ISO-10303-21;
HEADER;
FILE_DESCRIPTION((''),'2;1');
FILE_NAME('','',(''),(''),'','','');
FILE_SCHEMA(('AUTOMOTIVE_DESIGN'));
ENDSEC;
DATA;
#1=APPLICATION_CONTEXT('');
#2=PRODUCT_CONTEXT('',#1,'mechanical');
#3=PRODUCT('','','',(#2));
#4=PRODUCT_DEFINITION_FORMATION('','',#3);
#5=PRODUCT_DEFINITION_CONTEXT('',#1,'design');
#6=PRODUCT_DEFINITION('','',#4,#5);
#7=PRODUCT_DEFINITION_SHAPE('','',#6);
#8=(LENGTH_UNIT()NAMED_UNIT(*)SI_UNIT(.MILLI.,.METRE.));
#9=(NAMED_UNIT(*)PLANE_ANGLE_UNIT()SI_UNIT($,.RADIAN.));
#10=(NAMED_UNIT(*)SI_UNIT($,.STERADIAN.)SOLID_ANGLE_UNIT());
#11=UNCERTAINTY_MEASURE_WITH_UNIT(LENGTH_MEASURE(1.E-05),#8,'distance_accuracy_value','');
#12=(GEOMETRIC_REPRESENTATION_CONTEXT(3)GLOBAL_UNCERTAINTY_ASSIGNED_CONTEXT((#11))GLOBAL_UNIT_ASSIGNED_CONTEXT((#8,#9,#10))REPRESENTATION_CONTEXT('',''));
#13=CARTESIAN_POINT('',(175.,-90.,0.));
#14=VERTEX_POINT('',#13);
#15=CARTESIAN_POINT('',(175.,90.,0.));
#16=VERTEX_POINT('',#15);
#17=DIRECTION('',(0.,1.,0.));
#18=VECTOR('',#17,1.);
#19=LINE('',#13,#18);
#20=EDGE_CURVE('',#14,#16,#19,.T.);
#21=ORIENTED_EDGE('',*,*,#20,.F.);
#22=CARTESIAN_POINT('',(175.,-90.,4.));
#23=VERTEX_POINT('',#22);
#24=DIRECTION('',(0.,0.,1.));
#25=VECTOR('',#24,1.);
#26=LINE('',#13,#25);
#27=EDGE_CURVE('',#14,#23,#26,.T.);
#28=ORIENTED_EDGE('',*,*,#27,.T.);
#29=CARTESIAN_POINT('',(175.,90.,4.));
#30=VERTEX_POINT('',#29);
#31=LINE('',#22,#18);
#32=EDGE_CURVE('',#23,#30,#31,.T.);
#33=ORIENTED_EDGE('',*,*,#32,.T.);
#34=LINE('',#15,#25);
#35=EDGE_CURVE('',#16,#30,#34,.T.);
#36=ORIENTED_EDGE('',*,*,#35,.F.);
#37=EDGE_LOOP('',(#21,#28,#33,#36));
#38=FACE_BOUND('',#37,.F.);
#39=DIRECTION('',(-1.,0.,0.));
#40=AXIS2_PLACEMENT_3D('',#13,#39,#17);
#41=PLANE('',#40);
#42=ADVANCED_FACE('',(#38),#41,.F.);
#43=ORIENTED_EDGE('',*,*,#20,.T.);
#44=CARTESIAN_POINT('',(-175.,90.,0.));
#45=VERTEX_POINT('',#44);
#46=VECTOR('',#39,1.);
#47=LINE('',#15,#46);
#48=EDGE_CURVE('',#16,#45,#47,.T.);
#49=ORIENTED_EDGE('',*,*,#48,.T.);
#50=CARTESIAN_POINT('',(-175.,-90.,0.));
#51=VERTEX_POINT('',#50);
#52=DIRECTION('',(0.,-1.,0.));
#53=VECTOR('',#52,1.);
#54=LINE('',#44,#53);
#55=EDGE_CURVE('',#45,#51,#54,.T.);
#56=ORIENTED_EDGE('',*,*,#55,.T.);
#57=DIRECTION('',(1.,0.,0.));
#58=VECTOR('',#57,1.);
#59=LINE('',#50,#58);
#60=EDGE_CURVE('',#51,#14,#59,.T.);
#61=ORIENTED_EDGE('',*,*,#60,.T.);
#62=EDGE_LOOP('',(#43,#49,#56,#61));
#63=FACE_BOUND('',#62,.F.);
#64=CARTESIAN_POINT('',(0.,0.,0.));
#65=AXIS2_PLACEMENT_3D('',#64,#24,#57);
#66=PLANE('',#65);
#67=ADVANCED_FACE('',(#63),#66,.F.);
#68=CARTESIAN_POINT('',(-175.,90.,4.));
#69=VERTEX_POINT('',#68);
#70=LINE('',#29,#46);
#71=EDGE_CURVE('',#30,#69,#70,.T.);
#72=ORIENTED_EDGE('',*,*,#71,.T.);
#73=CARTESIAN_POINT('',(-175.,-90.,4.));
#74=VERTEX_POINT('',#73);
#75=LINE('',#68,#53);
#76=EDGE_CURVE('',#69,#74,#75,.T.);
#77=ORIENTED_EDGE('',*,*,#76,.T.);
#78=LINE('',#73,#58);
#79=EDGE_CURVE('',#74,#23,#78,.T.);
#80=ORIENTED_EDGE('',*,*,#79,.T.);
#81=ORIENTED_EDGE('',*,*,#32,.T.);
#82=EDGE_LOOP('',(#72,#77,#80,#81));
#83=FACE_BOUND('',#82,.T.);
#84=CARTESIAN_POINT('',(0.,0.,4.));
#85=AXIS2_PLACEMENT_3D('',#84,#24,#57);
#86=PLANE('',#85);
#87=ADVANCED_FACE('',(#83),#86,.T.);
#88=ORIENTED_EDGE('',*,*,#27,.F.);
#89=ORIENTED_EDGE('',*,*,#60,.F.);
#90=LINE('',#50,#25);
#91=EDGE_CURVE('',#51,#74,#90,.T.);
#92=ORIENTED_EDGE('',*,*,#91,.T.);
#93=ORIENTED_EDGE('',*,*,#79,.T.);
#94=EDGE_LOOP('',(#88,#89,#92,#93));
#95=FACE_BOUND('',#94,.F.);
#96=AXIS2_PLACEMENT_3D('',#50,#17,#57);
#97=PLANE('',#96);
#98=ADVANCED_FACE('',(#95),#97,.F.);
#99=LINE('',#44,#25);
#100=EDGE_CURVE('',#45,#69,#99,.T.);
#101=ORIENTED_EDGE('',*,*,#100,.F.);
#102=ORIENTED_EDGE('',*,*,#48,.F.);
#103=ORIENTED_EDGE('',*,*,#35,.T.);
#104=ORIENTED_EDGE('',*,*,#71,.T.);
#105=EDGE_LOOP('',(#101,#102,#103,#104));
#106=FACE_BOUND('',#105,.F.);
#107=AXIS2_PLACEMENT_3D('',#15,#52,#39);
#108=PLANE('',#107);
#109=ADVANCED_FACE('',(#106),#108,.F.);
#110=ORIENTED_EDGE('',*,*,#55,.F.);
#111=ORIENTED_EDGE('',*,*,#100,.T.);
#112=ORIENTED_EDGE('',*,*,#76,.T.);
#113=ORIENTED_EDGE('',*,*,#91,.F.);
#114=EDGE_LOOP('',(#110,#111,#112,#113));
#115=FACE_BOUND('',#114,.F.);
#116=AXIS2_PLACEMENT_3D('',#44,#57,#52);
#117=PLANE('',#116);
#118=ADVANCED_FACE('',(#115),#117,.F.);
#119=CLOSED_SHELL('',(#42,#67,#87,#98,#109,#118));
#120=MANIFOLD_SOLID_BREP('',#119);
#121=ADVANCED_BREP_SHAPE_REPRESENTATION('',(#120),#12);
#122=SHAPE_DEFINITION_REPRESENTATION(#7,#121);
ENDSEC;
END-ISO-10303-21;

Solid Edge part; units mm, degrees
sketch "Sketch1" plane through (0, 0, 0) normal (0, 0, 1) x (1, 0, 0)
  line L0 (175, -90) -> (175, 90)
  line L1 (175, 90) -> (-175, 90)
  line L2 (-175, 90) -> (-175, -90)
  line L3 (-175, -90) -> (175, -90)
extrude "Protrusion1" add sketch "Sketch1" along normal blind 4
